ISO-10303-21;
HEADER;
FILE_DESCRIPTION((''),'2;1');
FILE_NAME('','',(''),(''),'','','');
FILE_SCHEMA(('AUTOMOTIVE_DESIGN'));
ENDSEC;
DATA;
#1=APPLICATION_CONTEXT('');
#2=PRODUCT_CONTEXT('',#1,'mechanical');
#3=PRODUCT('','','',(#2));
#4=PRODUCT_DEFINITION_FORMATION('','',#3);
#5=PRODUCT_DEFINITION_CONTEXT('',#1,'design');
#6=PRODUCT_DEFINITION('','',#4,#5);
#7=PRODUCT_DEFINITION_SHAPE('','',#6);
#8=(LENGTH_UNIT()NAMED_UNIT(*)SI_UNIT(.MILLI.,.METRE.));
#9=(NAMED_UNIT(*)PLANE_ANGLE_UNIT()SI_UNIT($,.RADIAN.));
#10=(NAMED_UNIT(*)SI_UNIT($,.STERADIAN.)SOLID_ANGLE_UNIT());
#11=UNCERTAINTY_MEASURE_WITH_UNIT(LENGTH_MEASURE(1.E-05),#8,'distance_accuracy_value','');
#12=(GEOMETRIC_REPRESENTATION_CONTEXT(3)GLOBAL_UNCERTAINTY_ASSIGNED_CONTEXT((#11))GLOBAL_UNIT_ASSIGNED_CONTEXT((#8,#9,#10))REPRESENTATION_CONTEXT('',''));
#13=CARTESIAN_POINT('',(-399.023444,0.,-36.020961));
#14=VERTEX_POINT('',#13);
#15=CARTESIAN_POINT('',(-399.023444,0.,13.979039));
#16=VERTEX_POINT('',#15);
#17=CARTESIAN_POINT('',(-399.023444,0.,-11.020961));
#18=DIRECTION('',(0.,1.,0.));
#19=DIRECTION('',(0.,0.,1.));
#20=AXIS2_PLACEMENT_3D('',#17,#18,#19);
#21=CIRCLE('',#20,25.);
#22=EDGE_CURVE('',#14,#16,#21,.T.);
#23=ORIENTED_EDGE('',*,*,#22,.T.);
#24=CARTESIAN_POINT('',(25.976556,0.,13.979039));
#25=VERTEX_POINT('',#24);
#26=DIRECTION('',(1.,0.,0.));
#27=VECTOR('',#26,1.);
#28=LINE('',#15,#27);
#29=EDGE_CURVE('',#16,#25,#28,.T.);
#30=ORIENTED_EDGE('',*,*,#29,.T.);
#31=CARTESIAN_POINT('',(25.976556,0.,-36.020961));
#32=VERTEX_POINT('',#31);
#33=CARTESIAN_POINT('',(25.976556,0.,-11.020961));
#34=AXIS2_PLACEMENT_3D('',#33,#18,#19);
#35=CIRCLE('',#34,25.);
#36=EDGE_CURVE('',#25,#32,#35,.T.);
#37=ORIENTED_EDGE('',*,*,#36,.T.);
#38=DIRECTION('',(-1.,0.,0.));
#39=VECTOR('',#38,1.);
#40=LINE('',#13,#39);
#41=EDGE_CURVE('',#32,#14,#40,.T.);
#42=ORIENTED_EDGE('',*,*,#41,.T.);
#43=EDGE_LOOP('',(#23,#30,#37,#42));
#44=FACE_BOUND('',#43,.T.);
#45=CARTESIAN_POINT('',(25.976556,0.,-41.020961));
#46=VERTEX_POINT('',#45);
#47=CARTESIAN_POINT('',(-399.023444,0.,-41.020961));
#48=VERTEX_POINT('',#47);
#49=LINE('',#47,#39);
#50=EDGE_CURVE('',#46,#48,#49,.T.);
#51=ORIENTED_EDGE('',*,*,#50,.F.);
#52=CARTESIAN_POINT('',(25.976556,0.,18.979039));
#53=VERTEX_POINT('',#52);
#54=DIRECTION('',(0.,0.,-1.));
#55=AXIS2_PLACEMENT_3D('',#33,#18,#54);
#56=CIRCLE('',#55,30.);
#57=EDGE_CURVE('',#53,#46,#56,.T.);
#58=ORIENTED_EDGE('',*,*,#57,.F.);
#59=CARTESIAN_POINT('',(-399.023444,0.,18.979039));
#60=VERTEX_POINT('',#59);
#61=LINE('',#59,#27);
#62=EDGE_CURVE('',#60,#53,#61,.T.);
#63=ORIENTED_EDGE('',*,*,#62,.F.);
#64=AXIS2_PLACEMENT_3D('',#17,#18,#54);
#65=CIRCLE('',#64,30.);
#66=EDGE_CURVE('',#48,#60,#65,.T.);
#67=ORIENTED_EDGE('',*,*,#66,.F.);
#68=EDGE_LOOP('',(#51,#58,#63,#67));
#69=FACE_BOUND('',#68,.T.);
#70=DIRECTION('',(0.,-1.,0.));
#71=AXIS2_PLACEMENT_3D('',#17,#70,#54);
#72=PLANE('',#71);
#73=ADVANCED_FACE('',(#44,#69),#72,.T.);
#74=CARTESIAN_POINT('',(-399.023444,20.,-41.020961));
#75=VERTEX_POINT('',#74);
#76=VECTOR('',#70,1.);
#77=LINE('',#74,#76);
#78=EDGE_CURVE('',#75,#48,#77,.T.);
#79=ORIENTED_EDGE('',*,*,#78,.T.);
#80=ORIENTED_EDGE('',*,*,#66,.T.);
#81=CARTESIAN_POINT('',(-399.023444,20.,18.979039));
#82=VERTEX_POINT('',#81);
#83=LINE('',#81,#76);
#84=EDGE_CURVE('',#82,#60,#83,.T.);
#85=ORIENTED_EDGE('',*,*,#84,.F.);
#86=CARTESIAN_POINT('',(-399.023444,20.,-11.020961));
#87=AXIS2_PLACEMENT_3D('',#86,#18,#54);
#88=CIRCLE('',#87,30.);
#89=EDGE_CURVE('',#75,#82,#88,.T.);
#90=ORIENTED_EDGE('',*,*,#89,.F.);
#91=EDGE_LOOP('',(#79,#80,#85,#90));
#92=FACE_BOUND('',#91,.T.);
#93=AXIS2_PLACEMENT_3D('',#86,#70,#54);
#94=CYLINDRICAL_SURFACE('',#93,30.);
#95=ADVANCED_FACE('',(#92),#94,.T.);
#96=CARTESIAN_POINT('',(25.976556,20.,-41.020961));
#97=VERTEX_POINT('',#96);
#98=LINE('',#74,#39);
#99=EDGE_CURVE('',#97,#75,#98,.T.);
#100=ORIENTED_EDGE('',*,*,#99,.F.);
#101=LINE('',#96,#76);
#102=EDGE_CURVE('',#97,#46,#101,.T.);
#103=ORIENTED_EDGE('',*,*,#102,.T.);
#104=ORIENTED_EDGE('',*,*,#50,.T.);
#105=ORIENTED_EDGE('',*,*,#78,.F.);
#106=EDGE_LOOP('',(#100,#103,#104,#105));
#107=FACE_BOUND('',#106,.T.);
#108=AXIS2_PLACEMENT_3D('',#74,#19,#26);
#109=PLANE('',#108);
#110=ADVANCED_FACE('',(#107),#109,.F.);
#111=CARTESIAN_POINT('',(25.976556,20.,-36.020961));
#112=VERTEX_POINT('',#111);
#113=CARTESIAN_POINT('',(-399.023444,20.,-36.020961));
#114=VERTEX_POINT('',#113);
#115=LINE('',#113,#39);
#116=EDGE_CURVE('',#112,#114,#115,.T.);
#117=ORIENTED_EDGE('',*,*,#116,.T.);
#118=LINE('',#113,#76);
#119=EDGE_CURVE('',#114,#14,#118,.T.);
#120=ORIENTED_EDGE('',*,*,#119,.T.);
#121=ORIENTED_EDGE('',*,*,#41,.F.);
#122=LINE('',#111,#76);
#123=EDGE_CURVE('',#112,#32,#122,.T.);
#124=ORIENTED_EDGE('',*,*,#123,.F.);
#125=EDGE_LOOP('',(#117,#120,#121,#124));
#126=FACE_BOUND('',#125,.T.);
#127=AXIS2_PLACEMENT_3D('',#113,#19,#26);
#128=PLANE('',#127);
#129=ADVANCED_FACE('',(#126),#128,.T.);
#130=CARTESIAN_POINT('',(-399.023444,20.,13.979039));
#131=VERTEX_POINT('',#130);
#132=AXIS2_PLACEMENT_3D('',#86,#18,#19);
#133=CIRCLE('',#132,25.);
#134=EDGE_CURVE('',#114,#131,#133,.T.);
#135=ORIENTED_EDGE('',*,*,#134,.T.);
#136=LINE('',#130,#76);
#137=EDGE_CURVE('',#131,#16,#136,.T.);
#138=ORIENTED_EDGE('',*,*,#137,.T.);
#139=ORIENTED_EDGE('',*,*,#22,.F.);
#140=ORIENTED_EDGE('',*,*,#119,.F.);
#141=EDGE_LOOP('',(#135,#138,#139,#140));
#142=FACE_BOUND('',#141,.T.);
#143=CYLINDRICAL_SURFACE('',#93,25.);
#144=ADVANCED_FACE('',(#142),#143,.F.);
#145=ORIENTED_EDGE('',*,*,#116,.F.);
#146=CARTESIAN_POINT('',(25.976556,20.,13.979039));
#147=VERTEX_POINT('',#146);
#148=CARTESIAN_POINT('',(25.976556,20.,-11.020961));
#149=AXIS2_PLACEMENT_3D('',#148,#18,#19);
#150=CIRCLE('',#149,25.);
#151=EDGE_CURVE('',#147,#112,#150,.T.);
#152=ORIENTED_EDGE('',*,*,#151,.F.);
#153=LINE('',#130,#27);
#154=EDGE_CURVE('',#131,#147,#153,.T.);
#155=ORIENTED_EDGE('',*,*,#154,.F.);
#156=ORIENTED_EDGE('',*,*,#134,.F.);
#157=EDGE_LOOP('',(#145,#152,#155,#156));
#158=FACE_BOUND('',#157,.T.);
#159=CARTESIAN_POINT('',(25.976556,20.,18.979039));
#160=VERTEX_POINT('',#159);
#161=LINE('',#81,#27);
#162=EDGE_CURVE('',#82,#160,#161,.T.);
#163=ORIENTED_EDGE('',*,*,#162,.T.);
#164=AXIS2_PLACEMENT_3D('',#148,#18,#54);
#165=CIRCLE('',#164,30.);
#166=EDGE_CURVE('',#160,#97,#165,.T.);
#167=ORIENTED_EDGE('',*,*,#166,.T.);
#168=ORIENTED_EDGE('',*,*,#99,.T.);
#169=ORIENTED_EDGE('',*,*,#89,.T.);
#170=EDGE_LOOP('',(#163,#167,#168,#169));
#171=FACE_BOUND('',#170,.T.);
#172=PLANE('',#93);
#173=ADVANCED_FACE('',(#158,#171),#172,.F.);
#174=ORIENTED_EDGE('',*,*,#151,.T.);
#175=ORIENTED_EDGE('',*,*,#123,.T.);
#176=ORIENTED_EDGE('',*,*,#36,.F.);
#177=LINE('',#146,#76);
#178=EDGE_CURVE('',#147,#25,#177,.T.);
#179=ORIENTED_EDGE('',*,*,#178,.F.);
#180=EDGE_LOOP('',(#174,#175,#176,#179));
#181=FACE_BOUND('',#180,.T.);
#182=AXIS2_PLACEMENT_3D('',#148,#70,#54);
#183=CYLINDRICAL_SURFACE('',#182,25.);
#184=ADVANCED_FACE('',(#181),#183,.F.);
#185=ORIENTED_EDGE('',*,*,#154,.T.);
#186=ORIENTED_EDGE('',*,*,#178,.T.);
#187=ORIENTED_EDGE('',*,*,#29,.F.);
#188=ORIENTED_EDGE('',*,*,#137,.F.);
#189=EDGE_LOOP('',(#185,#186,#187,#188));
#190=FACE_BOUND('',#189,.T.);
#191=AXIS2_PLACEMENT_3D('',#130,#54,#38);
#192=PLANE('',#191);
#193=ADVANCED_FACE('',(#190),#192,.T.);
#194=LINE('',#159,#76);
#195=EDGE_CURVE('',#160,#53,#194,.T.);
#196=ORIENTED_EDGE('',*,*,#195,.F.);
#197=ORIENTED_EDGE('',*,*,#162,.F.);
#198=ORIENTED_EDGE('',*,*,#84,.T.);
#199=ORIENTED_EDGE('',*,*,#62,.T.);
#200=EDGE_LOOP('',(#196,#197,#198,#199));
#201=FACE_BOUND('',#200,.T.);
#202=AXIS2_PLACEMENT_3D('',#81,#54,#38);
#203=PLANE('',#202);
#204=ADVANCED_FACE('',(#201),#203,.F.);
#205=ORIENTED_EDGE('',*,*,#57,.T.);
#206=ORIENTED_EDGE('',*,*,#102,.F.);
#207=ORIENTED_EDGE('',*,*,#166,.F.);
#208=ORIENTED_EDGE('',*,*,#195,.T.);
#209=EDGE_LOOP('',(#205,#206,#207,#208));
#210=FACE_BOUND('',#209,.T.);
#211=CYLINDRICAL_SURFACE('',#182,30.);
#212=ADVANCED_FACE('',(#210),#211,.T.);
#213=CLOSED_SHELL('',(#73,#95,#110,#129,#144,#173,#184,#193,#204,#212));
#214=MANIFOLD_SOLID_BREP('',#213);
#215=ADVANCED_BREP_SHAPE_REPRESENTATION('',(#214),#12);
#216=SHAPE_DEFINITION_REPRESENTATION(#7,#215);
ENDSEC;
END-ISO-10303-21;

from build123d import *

# Parameters (mm, degrees)
BOSS_EXTRUDE1_DEPTH = 20


with BuildPart() as part:
    # Sketch1 → Boss-Extrude1 (new body)
    with BuildSketch(Plane(origin=(0, 0, 0), x_dir=(1, 0, 0), z_dir=(0, 1, 0))):
        with BuildLine():
            Line((-399.023443955, 41.02096112), (25.976556045, 41.02096112))
            ThreePointArc((25.976556045, 41.02096112), (55.976556045, 11.02096112), (25.976556045, -18.97903888))
            Line((25.976556045, -18.97903888), (-399.023443955, -18.97903888))
            ThreePointArc((-399.023443955, -18.97903888), (-429.023443955, 11.02096112), (-399.023443955, 41.02096112))
        make_face()
        with BuildLine():
            Line((-399.023443955, 36.02096112), (25.976556045, 36.02096112))
            ThreePointArc((25.976556045, 36.02096112), (50.976556045, 11.02096112), (25.976556045, -13.97903888))
            Line((25.976556045, -13.97903888), (-399.023443955, -13.97903888))
            ThreePointArc((-399.023443955, -13.97903888), (-424.023443955, 11.02096112), (-399.023443955, 36.02096112))
        make_face(mode=Mode.SUBTRACT)
    extrude(amount=BOSS_EXTRUDE1_DEPTH)


solid = part.part
